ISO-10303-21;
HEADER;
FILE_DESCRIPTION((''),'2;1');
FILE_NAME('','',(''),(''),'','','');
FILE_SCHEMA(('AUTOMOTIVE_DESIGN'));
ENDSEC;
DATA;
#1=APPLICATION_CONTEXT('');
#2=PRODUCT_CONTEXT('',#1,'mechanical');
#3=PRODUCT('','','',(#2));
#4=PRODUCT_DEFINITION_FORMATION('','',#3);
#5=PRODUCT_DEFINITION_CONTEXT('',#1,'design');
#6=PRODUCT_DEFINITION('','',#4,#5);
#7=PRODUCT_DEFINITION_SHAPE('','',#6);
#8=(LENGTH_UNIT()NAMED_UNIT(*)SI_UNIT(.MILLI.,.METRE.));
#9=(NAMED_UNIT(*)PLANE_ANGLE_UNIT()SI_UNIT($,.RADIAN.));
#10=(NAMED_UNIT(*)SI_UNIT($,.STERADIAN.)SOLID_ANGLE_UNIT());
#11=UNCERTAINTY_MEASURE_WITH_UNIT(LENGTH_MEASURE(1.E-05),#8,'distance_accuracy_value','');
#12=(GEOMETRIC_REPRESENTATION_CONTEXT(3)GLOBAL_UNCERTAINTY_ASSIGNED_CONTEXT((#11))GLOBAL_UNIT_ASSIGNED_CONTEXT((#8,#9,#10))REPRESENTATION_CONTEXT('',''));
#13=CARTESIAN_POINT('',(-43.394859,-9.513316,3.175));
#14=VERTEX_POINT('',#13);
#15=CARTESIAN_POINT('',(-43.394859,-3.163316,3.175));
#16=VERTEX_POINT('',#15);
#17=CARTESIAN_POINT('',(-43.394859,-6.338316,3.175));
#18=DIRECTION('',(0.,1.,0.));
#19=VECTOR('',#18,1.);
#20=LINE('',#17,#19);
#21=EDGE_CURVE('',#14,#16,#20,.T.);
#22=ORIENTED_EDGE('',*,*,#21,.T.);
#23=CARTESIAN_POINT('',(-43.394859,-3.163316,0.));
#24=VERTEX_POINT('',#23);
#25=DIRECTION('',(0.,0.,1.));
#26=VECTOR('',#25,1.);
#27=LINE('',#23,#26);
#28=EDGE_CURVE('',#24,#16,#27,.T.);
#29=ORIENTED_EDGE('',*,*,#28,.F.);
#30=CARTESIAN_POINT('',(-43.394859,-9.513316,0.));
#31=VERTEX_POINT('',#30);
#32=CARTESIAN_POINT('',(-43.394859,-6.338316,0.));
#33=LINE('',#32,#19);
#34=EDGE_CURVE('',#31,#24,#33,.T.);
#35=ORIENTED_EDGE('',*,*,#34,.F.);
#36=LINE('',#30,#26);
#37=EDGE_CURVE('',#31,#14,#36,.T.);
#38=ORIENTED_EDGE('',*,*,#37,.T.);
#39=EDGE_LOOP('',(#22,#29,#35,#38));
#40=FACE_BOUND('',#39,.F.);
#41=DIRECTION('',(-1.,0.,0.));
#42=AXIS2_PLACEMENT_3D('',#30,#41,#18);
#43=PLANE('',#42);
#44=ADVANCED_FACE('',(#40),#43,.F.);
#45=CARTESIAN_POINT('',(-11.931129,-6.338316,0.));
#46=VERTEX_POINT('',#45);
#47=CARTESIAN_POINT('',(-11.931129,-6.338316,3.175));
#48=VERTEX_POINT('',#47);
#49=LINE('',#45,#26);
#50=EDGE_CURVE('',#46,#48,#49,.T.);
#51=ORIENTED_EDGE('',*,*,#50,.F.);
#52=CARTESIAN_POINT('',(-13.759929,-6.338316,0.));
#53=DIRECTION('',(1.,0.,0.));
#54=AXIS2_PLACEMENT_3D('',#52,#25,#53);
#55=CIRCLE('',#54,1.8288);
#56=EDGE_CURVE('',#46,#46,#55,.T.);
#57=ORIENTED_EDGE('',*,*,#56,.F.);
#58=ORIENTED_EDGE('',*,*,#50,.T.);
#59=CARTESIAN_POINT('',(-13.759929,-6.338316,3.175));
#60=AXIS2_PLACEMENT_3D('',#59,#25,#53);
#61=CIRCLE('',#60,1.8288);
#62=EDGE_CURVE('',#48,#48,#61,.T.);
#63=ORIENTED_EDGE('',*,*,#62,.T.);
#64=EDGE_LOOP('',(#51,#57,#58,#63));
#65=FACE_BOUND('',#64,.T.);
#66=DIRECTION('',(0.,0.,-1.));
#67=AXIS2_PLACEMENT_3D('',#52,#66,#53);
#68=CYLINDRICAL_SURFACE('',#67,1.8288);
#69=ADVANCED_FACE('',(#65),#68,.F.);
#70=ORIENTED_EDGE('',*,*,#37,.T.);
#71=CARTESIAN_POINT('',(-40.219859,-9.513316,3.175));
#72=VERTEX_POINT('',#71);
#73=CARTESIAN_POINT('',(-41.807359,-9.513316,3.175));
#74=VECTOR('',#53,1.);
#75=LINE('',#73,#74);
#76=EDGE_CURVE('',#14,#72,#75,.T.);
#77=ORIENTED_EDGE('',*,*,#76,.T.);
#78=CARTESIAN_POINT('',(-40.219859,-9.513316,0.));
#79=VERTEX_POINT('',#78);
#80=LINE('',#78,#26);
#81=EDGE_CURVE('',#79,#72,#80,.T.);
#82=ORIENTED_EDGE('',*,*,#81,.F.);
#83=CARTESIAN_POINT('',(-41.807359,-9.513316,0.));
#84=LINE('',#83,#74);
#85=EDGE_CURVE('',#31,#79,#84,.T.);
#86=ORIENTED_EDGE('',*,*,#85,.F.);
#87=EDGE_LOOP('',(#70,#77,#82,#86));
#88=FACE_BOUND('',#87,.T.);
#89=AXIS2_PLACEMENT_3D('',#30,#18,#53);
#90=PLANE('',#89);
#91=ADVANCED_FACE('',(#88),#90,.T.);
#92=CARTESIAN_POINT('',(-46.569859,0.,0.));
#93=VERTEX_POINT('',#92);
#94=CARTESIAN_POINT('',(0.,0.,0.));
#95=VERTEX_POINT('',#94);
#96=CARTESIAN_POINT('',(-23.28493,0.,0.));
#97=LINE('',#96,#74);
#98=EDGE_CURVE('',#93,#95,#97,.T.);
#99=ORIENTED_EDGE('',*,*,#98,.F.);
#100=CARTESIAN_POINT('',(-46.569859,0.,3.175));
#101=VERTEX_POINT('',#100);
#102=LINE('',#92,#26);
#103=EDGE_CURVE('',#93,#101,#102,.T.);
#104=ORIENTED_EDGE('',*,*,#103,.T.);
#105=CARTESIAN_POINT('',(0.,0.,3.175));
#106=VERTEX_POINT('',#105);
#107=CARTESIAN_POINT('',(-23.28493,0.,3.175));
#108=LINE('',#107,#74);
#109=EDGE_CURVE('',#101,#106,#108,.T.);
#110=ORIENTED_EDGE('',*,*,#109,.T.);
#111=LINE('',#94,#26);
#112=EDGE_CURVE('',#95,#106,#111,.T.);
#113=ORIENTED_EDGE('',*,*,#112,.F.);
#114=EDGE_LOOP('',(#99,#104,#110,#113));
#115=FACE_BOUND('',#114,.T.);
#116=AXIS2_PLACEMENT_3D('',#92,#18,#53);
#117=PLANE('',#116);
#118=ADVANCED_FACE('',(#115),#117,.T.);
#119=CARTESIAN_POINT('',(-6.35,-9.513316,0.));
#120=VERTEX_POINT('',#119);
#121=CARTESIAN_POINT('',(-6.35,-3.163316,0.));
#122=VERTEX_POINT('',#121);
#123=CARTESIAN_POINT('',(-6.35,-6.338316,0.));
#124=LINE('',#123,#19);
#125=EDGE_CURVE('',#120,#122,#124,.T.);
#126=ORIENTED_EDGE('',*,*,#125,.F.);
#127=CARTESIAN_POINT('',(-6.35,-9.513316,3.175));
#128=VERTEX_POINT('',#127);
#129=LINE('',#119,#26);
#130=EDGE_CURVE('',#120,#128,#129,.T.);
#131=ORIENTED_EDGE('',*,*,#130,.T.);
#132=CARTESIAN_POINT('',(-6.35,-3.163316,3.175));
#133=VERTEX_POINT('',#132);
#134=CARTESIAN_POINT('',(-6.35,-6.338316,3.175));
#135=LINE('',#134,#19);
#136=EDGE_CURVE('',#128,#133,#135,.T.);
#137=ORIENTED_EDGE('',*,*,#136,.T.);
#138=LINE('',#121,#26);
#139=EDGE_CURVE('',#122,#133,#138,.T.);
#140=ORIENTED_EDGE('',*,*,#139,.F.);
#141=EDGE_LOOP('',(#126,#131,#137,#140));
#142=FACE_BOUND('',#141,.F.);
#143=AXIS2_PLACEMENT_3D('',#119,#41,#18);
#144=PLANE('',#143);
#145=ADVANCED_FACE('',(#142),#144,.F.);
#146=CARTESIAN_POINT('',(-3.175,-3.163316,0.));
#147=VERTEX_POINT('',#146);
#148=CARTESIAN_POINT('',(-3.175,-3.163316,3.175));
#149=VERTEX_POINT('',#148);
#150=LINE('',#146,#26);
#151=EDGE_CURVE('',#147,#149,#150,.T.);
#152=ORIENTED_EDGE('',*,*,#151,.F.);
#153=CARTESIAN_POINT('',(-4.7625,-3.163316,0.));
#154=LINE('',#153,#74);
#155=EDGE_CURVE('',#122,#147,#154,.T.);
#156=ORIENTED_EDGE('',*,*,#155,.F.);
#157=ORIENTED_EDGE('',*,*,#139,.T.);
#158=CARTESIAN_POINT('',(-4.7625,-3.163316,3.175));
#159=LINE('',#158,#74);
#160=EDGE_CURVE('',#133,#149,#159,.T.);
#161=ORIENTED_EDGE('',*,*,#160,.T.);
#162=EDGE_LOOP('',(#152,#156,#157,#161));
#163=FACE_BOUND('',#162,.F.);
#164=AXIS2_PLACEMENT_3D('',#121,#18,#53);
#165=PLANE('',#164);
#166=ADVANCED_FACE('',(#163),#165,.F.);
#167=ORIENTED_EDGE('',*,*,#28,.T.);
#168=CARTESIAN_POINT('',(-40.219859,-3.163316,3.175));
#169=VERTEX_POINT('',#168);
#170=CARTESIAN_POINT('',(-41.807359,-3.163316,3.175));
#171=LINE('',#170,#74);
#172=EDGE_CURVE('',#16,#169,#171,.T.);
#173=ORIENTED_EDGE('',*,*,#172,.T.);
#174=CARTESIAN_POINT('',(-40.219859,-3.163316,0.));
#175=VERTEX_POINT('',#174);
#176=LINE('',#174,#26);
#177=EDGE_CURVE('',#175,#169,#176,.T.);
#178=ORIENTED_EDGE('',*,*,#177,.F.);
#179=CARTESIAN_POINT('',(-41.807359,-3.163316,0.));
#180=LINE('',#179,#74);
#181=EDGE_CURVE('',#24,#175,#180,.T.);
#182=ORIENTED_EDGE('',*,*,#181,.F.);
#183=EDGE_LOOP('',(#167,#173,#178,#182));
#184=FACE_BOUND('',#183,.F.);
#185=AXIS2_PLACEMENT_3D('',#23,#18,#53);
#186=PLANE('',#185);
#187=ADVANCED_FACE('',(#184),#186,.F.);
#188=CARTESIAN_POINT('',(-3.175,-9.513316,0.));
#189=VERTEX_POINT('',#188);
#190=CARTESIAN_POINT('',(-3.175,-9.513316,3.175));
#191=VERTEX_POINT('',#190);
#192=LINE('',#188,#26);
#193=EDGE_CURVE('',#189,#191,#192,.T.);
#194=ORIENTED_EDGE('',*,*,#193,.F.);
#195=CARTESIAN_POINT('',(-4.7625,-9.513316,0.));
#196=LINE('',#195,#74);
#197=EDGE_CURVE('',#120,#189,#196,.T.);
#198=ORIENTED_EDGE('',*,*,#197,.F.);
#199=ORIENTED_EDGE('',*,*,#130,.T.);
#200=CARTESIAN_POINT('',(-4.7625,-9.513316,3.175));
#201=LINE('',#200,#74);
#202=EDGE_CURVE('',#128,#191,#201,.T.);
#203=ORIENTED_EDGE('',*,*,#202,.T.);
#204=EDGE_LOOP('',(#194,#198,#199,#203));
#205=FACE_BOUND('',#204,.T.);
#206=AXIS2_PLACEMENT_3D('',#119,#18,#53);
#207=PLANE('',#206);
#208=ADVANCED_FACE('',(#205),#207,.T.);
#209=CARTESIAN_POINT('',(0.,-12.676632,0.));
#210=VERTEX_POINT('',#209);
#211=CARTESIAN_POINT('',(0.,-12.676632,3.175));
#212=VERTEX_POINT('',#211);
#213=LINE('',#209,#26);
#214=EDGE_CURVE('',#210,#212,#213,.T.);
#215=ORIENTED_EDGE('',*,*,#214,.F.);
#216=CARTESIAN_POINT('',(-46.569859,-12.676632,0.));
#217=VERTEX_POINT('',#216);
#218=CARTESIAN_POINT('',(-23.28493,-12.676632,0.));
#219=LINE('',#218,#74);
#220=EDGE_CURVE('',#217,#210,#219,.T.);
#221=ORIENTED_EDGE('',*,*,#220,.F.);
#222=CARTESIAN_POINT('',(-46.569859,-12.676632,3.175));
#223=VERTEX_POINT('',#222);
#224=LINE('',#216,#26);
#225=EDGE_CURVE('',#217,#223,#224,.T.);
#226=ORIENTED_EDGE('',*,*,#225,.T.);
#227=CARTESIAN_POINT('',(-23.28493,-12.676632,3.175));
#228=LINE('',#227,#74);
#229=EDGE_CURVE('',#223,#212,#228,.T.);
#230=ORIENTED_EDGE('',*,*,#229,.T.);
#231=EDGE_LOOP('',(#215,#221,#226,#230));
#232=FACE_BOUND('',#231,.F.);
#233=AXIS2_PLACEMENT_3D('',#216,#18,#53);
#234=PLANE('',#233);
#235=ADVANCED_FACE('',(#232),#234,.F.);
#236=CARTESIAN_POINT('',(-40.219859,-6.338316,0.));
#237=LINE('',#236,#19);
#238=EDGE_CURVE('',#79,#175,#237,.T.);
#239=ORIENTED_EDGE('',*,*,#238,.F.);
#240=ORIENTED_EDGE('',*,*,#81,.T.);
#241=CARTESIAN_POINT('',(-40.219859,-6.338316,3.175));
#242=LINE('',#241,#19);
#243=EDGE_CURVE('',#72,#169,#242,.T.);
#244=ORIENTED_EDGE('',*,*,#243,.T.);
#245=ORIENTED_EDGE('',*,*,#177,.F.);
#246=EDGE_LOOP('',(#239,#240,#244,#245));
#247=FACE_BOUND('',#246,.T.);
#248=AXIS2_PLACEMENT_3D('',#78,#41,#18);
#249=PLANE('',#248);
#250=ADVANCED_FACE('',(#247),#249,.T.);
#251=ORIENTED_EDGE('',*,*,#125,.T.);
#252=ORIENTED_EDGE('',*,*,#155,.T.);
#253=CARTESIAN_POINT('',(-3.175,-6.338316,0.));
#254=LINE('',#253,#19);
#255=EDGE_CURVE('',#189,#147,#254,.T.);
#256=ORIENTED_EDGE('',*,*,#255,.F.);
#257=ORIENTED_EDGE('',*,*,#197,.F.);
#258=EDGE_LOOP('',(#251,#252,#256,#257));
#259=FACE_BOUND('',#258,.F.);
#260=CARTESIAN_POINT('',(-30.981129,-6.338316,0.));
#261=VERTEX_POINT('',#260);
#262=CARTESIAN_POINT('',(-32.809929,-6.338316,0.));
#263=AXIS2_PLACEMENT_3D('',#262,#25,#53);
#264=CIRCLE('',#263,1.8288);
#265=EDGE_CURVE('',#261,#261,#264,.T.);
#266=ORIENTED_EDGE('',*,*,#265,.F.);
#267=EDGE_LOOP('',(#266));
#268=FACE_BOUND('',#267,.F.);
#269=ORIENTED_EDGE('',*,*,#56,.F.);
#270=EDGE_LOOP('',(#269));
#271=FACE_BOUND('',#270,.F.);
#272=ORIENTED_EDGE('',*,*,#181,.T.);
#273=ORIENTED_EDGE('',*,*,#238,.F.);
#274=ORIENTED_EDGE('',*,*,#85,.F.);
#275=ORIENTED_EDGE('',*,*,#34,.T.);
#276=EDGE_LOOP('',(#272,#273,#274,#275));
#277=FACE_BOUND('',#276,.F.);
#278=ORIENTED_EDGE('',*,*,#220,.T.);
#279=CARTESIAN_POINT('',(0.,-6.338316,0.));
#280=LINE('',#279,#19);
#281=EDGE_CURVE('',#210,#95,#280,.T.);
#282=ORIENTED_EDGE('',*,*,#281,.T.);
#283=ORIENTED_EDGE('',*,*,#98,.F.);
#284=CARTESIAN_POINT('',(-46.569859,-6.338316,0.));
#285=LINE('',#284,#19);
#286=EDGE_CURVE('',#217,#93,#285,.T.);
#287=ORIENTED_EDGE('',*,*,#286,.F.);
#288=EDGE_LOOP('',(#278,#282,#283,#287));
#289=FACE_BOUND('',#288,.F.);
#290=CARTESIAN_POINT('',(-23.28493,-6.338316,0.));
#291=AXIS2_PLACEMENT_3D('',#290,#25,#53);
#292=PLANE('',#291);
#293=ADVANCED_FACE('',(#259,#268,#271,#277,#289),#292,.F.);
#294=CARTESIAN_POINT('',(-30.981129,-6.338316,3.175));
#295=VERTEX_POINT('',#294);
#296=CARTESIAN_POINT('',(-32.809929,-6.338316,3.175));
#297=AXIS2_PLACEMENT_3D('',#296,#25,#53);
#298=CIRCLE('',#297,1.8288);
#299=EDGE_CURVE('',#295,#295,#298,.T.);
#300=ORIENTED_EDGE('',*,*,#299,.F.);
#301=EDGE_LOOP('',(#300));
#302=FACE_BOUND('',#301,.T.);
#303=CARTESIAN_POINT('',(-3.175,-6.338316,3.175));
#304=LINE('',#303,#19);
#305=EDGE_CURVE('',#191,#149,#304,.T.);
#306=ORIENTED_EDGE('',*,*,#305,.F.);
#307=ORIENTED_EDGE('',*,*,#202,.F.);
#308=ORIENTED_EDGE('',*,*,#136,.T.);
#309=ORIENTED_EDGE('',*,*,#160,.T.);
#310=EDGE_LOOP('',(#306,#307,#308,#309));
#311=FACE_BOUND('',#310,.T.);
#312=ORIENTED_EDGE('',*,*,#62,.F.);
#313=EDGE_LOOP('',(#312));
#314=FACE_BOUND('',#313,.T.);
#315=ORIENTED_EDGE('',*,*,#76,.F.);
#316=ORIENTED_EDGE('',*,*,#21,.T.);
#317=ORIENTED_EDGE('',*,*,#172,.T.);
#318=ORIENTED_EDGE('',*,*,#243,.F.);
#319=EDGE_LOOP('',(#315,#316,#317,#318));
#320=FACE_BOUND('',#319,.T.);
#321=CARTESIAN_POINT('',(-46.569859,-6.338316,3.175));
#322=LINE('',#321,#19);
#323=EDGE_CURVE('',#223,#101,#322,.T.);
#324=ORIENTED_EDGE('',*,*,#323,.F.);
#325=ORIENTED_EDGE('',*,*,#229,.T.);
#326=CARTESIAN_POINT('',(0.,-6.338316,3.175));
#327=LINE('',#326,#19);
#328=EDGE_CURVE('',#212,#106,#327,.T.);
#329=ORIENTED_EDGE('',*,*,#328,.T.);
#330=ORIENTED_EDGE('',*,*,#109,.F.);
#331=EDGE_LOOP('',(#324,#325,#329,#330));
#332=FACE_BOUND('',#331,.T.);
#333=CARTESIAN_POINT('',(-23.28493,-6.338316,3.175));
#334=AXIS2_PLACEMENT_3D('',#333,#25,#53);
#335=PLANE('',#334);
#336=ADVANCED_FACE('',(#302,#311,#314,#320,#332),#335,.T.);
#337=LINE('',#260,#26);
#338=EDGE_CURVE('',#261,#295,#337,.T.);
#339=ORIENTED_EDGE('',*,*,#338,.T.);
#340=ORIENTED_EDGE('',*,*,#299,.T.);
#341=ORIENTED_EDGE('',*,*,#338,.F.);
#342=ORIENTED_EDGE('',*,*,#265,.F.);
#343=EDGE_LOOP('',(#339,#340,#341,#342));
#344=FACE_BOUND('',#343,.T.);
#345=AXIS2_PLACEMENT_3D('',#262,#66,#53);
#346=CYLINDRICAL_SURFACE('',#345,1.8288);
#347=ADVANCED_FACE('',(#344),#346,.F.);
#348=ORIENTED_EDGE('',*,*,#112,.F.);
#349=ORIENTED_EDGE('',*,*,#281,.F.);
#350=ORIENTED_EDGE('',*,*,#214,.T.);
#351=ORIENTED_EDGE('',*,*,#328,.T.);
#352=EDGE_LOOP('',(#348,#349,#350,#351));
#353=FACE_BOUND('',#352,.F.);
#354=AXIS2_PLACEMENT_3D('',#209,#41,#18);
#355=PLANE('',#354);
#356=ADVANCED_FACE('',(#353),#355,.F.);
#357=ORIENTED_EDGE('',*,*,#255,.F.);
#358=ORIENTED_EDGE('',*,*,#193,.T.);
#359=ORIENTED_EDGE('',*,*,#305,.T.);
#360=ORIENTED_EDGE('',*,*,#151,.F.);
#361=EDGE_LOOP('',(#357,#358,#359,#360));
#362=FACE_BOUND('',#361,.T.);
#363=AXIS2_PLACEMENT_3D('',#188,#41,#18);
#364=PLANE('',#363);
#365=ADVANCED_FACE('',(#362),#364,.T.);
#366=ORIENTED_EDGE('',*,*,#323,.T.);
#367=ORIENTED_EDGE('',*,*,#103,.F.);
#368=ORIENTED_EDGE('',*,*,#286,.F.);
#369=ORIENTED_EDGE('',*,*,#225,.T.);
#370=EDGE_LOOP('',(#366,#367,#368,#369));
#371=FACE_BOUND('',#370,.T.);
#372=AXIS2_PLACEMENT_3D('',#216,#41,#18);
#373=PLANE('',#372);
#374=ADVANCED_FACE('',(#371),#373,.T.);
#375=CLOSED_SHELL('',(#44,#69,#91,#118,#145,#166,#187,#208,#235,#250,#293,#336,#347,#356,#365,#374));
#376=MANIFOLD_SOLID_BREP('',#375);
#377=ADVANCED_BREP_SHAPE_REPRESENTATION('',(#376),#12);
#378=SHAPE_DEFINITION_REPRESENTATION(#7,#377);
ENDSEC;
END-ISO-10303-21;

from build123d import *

# Parameters (mm, degrees)
F0_W     = 46.569859
F0_H     = 12.676632
F0_W_2   = 3.175
F0_H_2   = 6.35
F0_R     = 1.8288
F1_DEPTH = 3.175


with BuildPart() as f1:
    # F0 (on Top) → F1 (new body)
    with BuildSketch(Plane.XY):
        with Locations((-23.28493, -6.338316)):
            Rectangle(F0_W, F0_H)
        with Locations((-41.807359, -6.338316)):
            Rectangle(F0_W_2, F0_H_2, mode=Mode.SUBTRACT)
        with Locations((-32.809929, -6.338316)):
            Circle(F0_R, mode=Mode.SUBTRACT)
        with Locations((-13.759929, -6.338316)):
            Circle(F0_R, mode=Mode.SUBTRACT)
        with Locations((-4.7625, -6.338316)):
            Rectangle(F0_W_2, F0_H_2, mode=Mode.SUBTRACT)
    extrude(amount=F1_DEPTH)


solid = f1.part
